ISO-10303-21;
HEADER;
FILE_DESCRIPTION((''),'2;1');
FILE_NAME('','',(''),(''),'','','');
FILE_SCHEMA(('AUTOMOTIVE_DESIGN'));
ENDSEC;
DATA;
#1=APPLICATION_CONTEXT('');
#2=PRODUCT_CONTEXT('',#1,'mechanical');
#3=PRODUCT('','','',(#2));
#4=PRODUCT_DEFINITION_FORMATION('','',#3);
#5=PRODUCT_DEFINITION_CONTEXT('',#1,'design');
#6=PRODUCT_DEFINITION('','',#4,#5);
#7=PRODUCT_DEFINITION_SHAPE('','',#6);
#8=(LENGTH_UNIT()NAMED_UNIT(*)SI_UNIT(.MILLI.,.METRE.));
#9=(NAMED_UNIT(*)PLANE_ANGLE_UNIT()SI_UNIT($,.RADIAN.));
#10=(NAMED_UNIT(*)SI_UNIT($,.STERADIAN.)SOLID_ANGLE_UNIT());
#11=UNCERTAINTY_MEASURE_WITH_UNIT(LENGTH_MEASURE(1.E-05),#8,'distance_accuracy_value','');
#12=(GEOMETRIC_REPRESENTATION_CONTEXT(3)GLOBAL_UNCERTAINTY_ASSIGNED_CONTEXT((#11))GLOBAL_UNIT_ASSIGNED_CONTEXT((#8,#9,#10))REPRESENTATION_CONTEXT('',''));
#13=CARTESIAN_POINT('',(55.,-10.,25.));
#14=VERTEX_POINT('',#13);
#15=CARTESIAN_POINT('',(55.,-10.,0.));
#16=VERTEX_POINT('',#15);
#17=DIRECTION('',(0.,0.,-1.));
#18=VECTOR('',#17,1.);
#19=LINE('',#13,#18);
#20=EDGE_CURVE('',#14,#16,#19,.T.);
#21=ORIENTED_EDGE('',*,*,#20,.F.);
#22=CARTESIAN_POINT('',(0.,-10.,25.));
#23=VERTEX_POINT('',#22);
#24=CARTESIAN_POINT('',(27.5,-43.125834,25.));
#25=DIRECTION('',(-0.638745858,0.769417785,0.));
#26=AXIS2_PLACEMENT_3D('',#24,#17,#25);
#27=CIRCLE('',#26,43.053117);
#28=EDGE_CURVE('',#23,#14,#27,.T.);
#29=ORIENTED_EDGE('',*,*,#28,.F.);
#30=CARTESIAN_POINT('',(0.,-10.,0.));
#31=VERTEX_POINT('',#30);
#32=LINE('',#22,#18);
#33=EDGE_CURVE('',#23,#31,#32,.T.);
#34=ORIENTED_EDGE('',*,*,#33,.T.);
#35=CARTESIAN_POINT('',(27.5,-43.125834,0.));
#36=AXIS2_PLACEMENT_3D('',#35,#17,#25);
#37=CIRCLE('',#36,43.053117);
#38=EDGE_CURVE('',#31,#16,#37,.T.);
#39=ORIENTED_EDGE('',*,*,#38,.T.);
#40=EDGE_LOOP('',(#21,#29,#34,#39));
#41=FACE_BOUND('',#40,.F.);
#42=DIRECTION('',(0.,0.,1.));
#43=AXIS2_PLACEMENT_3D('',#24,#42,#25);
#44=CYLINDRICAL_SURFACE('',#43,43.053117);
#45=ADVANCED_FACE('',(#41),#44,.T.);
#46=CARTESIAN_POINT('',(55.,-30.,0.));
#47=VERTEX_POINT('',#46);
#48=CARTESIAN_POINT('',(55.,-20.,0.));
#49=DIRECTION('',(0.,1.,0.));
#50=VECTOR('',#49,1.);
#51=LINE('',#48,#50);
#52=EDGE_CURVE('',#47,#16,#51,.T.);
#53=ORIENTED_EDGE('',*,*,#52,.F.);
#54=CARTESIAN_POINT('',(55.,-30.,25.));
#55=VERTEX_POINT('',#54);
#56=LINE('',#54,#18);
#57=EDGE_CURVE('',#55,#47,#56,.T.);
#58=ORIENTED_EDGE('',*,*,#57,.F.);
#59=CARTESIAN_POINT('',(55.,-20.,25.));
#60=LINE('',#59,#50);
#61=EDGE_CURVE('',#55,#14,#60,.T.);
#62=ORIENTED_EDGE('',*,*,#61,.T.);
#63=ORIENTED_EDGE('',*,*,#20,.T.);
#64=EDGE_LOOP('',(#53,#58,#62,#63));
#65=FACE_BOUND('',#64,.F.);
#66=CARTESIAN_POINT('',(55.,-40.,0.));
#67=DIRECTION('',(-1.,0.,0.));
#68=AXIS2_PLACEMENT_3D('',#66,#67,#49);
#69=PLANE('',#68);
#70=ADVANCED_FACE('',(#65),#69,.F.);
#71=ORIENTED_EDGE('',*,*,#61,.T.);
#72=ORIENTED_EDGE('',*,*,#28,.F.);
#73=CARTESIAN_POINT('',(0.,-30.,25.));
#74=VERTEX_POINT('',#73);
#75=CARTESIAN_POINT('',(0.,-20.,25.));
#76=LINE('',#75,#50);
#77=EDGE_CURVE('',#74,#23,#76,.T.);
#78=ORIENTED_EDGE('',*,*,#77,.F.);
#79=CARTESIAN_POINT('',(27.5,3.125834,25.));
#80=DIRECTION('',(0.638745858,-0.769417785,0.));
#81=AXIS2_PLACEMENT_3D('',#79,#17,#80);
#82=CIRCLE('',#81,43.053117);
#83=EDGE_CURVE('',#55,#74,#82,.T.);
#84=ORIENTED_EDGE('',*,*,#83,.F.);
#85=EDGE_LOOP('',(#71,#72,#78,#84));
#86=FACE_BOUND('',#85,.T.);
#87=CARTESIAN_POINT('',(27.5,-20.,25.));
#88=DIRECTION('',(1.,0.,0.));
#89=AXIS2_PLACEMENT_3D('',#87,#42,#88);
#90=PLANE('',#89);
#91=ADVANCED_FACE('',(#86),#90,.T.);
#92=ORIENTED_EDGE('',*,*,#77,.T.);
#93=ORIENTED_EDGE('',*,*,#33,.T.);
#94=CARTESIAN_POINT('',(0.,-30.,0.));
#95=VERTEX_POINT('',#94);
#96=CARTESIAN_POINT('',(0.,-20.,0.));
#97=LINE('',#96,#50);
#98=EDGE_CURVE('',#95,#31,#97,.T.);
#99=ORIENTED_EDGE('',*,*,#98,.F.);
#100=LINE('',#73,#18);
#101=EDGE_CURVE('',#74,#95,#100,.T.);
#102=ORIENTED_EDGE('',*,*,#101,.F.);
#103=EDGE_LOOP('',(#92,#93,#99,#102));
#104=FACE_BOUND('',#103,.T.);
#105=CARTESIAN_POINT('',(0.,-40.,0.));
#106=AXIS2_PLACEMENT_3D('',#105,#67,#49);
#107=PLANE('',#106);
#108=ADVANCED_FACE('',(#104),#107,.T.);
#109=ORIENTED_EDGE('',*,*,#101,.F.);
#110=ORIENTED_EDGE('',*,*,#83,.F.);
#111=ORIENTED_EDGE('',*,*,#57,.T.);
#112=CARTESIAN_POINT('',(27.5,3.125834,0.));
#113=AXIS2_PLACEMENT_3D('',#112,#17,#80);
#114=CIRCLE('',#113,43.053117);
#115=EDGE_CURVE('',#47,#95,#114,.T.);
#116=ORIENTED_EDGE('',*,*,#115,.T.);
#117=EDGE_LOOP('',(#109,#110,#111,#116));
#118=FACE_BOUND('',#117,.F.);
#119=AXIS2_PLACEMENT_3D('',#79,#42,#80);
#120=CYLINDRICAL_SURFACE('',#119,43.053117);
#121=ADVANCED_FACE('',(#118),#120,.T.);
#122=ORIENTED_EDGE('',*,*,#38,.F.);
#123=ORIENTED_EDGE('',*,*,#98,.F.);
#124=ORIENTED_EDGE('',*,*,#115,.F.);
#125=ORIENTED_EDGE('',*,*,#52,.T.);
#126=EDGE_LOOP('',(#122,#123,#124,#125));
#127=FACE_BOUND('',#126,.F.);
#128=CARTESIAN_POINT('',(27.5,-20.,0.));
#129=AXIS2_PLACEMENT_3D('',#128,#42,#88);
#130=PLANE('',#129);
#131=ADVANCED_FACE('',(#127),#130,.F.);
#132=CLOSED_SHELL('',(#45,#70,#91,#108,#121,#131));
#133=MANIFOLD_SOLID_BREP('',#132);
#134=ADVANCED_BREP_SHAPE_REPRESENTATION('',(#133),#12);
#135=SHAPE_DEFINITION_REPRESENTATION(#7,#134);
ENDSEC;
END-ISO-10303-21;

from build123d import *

# Parameters (mm, degrees)
F0_W     = 55
F0_H     = 40
F1_DEPTH = 25
F3_DEPTH = 25


with BuildPart() as f1:
    # F0 (on Top) → F1 (new body)
    with BuildSketch(Plane.XY):
        with Locations((27.5, -20)):
            Rectangle(F0_W, F0_H)
    extrude(amount=F1_DEPTH)

    # F2 (on face) → F3 (cut)
    with BuildSketch(Plane.XY.offset(25)):
        with BuildLine():
            Line((55, 0), (0, 0))
            Line((0, 0), (0, -10))
            ThreePointArc((0, -10), (27.5, -0.072717), (55, -10))
            Line((55, -10), (55, 0))
        make_face()
        with BuildLine():
            ThreePointArc((55, -30), (27.5, -39.927283), (0, -30))
            Line((0, -30), (0, -40))
            Line((0, -40), (55, -40))
            Line((55, -40), (55, -30))
        make_face()
    extrude(amount=-F3_DEPTH, mode=Mode.SUBTRACT)


solid = f1.part
